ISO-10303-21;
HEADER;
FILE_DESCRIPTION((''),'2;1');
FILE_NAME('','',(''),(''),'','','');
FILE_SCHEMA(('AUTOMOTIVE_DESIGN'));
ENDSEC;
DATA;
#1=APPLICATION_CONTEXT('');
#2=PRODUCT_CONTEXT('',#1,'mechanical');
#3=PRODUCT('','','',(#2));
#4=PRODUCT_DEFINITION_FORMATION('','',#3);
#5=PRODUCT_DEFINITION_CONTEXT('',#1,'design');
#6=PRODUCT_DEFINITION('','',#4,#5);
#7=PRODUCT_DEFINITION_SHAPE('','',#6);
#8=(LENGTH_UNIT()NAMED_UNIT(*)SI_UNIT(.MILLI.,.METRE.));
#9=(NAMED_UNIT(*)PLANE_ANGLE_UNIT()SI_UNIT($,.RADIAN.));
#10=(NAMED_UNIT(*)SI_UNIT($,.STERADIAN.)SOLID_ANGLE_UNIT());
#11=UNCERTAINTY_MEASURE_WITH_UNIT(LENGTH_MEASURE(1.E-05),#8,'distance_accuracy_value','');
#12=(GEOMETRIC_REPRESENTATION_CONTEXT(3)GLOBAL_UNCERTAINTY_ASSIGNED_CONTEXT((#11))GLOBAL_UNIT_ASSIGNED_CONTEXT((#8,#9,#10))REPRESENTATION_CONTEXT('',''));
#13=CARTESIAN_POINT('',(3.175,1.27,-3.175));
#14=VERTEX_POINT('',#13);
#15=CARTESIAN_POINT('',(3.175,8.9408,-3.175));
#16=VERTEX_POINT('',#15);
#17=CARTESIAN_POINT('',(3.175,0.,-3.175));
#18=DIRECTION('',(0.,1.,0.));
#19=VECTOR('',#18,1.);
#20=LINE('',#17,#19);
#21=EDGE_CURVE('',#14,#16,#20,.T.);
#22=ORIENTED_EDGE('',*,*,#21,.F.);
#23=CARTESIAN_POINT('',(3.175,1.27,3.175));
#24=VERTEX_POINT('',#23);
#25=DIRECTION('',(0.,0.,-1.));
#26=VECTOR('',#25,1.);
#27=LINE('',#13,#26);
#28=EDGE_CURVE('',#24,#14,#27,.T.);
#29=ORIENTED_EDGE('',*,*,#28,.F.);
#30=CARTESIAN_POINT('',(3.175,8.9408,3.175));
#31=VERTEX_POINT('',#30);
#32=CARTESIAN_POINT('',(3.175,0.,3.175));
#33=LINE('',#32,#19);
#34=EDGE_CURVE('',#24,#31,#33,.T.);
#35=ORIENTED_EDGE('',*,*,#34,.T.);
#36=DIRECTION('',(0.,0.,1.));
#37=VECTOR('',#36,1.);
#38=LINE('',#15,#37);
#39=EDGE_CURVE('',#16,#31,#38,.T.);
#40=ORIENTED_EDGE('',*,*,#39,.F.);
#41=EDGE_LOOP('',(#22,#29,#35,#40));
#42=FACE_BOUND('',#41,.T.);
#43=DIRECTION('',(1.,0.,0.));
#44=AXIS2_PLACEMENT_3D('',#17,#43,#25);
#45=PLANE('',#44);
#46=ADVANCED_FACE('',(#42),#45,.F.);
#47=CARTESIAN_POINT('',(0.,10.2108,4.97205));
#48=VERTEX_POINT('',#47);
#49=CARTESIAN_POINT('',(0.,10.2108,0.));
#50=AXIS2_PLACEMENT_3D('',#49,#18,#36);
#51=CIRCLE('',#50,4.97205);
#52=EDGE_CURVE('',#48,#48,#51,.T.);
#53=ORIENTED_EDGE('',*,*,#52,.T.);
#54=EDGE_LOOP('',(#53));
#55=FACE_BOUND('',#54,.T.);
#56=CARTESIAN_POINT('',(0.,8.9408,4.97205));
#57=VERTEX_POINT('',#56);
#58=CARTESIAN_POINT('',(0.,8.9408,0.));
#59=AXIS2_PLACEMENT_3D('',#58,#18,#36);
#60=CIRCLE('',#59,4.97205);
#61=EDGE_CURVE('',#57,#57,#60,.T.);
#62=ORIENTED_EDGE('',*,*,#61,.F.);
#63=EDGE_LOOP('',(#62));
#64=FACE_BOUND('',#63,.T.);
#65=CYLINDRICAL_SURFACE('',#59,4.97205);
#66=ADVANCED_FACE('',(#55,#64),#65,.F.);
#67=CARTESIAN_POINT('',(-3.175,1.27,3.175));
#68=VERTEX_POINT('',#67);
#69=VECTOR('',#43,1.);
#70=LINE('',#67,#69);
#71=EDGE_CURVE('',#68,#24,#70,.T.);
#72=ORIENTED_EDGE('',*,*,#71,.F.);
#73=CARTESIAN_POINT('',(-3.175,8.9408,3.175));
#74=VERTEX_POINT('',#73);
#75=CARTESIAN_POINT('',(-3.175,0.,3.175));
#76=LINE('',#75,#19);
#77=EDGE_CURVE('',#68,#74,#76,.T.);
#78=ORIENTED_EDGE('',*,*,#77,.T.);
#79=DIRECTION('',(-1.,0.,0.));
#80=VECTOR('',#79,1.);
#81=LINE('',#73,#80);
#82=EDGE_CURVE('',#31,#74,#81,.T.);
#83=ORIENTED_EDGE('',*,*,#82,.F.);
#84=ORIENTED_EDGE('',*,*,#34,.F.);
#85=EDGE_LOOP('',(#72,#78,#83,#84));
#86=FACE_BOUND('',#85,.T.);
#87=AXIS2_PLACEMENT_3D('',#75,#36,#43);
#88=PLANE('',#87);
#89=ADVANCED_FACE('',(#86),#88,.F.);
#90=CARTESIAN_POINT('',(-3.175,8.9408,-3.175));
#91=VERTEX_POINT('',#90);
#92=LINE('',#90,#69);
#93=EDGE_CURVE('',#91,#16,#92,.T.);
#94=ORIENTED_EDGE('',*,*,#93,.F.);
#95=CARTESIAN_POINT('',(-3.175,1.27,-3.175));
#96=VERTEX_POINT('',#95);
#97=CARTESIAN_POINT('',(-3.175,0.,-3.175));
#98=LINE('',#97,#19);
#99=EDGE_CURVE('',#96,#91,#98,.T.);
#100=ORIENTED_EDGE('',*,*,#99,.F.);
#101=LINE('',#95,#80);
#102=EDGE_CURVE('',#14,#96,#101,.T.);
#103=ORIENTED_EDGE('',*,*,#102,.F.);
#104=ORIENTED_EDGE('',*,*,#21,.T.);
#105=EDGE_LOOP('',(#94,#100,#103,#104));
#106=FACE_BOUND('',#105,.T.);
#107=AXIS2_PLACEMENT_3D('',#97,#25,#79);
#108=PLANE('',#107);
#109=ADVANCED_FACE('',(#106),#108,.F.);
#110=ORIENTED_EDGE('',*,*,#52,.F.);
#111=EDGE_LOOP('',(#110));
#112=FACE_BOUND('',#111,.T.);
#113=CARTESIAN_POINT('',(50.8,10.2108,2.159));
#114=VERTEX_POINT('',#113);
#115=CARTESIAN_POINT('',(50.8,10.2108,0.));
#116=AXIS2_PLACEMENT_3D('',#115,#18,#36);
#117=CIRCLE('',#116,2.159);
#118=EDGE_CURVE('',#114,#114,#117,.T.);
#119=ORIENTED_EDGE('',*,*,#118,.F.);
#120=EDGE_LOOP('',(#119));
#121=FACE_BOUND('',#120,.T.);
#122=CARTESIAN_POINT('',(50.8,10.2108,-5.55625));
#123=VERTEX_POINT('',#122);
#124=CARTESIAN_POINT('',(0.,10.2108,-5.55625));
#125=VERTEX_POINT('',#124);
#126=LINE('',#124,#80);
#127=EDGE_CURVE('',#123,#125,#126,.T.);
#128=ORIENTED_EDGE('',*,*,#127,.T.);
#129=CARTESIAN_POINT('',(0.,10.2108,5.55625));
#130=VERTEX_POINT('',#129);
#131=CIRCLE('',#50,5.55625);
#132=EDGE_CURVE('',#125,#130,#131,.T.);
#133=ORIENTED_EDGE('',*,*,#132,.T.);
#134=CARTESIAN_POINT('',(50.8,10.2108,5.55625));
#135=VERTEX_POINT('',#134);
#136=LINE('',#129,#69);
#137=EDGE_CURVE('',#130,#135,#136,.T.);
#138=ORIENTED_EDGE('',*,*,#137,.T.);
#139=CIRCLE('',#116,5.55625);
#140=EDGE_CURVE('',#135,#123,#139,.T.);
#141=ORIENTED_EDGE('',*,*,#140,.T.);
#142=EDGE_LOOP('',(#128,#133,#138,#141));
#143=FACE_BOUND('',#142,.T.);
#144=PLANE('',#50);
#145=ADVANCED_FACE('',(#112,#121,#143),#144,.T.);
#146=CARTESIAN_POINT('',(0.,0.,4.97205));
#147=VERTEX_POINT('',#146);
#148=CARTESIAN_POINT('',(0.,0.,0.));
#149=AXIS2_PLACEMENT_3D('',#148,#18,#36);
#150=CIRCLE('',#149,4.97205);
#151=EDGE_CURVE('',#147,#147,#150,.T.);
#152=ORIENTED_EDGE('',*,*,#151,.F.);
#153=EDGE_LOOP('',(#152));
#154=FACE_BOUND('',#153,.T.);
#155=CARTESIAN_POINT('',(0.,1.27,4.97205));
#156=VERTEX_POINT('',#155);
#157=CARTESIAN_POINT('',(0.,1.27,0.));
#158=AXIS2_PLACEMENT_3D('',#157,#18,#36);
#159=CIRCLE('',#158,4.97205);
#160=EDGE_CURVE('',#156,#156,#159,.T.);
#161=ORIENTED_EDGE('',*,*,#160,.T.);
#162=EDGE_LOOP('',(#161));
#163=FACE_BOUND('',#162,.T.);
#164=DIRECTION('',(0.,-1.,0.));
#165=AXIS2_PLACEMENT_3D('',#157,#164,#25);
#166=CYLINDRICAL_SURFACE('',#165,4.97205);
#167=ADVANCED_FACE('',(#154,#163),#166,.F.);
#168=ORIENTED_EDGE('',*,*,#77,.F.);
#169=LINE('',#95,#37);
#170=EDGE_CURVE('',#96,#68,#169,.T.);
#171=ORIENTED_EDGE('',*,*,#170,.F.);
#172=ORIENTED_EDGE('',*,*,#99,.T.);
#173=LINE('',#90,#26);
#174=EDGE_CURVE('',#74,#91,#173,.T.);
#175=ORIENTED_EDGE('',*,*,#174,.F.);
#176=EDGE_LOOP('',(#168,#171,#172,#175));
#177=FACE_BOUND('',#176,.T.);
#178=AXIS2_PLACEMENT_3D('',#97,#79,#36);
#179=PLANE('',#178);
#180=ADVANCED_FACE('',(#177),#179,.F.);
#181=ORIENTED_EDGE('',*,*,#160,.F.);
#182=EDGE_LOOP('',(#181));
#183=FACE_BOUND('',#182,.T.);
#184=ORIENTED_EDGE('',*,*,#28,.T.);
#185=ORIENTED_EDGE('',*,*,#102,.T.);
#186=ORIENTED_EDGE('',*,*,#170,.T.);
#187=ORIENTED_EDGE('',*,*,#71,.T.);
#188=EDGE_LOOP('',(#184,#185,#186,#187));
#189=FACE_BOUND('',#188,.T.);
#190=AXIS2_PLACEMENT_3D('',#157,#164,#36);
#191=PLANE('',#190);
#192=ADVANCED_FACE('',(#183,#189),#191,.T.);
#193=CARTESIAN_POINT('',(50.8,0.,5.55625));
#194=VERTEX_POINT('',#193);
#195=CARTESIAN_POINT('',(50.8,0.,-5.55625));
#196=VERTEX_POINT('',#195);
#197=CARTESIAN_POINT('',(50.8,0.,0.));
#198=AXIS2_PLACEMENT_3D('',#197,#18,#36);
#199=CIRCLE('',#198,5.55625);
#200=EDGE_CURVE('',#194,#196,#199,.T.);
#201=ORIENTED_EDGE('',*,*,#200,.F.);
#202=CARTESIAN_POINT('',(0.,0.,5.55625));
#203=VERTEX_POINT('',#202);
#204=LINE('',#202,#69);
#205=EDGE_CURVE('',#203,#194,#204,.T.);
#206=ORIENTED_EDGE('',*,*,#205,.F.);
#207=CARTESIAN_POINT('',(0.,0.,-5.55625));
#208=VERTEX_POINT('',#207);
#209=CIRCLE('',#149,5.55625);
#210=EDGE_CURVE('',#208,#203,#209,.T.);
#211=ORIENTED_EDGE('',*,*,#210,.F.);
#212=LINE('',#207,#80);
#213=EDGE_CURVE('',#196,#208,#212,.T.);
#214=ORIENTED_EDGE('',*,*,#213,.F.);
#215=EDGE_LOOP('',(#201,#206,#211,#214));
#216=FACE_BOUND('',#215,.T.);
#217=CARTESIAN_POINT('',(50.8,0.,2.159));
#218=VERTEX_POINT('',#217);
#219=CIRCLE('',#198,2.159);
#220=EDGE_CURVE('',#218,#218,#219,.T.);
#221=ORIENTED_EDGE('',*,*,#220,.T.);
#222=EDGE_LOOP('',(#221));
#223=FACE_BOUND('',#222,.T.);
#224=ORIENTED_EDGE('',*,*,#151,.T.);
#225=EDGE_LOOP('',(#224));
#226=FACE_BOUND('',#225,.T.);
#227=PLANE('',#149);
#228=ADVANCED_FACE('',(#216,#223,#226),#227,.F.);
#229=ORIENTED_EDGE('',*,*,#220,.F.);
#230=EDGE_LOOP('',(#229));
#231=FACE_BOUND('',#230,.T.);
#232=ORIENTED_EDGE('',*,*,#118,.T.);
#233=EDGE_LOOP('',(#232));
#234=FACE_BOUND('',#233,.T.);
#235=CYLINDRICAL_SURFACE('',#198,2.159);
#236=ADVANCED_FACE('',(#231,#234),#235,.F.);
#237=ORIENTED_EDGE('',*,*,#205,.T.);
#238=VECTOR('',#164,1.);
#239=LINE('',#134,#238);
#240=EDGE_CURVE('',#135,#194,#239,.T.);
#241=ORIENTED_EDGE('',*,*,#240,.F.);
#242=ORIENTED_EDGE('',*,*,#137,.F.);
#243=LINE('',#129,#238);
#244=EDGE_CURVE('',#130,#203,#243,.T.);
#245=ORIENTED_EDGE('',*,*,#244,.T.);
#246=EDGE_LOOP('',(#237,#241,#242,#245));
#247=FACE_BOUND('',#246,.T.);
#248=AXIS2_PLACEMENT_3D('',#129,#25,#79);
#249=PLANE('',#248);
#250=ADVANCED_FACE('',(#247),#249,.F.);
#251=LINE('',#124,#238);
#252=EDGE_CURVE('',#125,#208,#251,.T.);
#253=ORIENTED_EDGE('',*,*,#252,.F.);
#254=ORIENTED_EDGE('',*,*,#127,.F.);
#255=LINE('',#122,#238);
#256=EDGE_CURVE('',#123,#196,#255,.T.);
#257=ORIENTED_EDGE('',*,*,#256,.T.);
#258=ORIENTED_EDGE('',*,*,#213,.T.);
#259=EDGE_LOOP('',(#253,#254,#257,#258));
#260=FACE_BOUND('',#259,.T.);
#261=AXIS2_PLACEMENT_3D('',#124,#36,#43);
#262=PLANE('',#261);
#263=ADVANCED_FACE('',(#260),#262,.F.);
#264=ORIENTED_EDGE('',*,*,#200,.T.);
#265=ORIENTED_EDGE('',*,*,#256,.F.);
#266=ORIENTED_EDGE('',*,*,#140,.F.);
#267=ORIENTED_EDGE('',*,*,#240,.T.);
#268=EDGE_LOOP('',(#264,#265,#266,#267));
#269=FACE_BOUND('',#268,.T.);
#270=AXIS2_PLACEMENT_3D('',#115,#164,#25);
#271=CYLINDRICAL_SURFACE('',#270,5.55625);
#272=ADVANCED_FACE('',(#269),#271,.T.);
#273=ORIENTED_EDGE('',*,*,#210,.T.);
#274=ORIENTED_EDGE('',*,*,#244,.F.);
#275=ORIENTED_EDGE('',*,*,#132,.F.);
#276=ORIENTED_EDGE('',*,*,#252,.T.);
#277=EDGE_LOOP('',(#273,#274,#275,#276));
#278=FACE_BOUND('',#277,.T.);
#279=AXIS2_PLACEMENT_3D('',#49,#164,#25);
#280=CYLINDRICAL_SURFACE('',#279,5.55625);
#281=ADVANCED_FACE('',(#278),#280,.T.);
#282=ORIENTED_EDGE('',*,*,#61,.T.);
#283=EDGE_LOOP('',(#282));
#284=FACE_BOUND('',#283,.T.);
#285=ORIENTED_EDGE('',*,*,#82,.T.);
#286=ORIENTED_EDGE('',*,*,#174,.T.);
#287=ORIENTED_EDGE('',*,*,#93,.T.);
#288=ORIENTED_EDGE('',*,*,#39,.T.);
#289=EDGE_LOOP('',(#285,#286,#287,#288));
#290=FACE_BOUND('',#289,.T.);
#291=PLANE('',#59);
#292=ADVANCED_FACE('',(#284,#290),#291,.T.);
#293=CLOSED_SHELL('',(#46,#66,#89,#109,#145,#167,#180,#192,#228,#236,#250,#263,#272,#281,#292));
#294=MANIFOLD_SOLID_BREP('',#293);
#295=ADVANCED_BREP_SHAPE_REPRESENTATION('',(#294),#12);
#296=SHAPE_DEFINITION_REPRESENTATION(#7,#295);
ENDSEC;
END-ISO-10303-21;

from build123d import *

# Parameters (mm, degrees)
BOSS_EXTRUDE1_DEPTH = 10.2108
SKETCH2_R           = 2.159
SKETCH2_W           = 6.35
SKETCH2_H           = 6.35
CUT_EXTRUDE1_DEPTH  = 58.542673424
SKETCH3_R           = 4.97205
CUT_EXTRUDE2_DEPTH  = 1.27


with BuildPart() as part:
    # Sketch1 → Boss-Extrude1 (new body)
    with BuildSketch(Plane(origin=(0, 0, 0), x_dir=(1, 0, 0), z_dir=(0, 1, 0))):
        with BuildLine():
            Line((0, 5.55625), (50.8, 5.55625))
            ThreePointArc((50.8, 5.55625), (56.35625, 0), (50.8, -5.55625))
            Line((50.8, -5.55625), (0, -5.55625))
            ThreePointArc((0, -5.55625), (-5.55625, 0), (0, 5.55625))
        make_face()
    extrude(amount=BOSS_EXTRUDE1_DEPTH)

    # Sketch2 → Cut-Extrude1 (cut, through all)
    with BuildSketch(Plane(origin=(0, 10.2108, 0), x_dir=(1, 0, 0), z_dir=(0, 1, 0))):
        with Locations(Location((50.8, 0, 0), (0, 0, 270))):
            Circle(SKETCH2_R)
        Rectangle(SKETCH2_W, SKETCH2_H)
    extrude(amount=-CUT_EXTRUDE1_DEPTH, mode=Mode.SUBTRACT)

    # Sketch3 → Cut-Extrude2 (cut)
    with BuildSketch(Plane(origin=(0, 10.2108, 0), x_dir=(1, 0, 0), z_dir=(0, 1, 0))):
        with Locations(Location((0, 0, 0), (0, 0, 270))):
            Circle(SKETCH3_R)
    cut_extrude2 = extrude(amount=-CUT_EXTRUDE2_DEPTH, mode=Mode.SUBTRACT)

    # Mirror1: Cut-Extrude2 across plane
    add(cut_extrude2.mirror(Plane.ZX.offset(5.1054)), mode=Mode.SUBTRACT)


solid = part.part
